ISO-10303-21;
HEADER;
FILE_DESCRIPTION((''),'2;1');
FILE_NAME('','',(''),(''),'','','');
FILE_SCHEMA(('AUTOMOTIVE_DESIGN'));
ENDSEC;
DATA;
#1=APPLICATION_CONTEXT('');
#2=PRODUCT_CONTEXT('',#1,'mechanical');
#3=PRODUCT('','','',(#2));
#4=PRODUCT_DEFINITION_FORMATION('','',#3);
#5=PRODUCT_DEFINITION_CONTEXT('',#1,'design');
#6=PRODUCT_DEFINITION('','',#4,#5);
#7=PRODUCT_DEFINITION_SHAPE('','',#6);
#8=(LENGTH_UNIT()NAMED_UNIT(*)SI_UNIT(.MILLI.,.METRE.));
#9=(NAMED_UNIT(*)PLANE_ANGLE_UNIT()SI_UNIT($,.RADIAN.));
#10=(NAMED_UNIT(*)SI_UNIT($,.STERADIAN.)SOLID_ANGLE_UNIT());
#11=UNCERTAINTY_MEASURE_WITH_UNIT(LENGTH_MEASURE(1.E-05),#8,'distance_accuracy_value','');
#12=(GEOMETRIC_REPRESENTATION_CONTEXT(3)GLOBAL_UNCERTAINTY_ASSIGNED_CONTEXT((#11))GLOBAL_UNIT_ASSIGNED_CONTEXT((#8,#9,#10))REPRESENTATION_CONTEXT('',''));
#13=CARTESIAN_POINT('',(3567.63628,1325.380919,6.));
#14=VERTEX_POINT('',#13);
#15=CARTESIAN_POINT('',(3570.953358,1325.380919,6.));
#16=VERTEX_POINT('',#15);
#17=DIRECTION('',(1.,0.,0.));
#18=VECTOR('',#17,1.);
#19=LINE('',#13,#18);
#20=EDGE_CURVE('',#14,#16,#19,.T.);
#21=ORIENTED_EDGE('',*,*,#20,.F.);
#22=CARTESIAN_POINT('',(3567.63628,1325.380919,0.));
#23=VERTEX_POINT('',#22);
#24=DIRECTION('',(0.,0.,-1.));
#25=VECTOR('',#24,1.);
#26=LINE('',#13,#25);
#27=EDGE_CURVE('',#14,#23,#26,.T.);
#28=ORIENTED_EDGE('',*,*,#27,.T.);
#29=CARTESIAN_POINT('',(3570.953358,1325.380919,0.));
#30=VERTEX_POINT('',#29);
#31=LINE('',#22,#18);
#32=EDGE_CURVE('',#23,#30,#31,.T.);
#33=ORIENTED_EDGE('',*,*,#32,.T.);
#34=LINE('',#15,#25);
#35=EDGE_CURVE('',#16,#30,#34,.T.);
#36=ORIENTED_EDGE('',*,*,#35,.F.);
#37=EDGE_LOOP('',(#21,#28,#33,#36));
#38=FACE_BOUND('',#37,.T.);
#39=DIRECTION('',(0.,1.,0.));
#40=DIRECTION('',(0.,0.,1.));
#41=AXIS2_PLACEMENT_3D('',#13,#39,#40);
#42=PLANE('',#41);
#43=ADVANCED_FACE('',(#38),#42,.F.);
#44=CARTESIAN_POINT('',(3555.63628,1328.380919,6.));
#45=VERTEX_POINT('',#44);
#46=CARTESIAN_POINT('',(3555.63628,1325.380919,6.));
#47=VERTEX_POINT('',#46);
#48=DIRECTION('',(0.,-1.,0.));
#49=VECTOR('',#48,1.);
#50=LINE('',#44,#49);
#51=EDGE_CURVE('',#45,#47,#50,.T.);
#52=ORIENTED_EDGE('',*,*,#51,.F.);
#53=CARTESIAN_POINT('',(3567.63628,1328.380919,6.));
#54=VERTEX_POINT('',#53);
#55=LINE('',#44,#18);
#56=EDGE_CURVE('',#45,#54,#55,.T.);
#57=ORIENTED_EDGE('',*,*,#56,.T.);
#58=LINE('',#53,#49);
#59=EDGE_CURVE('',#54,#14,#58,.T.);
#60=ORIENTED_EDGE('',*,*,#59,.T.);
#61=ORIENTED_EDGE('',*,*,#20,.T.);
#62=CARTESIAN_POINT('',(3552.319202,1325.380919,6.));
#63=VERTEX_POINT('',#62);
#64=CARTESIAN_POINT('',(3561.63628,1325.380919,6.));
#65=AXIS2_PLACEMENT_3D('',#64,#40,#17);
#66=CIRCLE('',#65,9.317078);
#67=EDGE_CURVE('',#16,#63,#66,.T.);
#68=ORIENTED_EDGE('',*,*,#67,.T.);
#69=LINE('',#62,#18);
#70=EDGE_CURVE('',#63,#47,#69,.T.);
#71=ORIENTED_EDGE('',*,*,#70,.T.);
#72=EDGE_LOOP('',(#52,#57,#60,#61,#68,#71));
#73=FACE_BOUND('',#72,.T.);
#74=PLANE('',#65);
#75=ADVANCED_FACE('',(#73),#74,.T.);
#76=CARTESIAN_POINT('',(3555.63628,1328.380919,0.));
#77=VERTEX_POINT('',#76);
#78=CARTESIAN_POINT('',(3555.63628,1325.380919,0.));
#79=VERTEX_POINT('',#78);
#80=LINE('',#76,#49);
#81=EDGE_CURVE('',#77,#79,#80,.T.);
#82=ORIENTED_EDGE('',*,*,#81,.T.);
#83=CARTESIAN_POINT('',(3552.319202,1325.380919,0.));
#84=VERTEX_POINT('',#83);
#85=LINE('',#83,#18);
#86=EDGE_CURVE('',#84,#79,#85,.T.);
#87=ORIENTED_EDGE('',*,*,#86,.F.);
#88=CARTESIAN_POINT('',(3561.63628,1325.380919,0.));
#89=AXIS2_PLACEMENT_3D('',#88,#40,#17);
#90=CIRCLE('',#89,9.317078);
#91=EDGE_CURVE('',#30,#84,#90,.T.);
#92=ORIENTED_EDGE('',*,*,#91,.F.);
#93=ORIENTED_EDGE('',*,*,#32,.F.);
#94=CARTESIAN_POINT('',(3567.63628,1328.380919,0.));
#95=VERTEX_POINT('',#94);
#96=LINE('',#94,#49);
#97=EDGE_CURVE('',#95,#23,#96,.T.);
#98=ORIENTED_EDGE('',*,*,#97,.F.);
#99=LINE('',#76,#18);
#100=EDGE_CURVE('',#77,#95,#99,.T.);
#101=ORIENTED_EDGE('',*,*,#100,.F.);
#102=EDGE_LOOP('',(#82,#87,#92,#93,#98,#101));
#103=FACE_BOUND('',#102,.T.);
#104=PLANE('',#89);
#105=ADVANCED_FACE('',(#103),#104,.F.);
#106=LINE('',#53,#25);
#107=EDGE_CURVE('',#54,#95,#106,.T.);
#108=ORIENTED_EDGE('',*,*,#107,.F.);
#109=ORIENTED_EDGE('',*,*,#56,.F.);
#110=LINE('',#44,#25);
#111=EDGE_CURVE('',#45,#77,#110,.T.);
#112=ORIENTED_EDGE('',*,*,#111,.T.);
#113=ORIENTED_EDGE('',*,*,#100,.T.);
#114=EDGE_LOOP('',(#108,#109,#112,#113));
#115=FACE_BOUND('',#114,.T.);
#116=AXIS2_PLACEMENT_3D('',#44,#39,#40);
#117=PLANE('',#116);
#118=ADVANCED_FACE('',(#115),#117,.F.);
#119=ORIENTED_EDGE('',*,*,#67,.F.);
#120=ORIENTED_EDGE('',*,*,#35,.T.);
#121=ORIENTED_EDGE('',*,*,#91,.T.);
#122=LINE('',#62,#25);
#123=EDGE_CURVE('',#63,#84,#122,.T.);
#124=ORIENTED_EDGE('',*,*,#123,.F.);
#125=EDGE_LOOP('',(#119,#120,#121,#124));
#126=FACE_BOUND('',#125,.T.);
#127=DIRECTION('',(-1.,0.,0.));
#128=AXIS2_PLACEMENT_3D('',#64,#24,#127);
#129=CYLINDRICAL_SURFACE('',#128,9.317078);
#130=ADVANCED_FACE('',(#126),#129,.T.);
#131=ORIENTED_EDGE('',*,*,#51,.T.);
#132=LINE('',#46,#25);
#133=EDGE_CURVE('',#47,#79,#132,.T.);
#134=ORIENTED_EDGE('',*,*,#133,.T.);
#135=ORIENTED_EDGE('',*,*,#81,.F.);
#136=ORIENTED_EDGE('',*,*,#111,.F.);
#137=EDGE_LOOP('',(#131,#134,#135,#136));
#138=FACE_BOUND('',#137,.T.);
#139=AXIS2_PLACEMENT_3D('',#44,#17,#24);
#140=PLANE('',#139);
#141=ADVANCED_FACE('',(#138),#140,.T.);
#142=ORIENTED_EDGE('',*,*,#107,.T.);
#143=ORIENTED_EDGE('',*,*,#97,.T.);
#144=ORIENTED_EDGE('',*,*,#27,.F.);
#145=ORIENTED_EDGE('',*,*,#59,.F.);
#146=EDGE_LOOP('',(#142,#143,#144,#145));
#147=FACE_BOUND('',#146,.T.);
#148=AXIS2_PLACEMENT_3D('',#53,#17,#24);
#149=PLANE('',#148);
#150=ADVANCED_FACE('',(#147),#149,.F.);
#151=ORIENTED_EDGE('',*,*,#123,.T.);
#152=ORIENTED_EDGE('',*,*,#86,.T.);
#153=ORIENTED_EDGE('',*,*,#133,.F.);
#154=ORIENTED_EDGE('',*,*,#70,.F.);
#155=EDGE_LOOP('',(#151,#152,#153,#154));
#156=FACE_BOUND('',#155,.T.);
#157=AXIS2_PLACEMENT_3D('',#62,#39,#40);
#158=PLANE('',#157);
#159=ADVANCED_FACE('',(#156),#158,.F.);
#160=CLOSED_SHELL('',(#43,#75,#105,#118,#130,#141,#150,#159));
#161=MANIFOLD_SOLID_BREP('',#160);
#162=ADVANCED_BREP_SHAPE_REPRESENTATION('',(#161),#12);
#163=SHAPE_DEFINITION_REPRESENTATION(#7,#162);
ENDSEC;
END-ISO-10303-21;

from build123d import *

# Parameters (mm, degrees)
BOSS_EXTRUDE1_DEPTH = 6


with BuildPart() as part:
    # Model → Boss-Extrude1 (new body)
    with BuildSketch(Plane.XY):
        with BuildLine():
            Line((3552.319202488, 1325.380918895), (3555.636280054, 1325.380918895))
            Line((3555.636280054, 1325.380918895), (3555.636280054, 1328.380918895))
            Line((3555.636280054, 1328.380918895), (3567.636280054, 1328.380918895))
            Line((3567.636280054, 1328.380918895), (3567.636280054, 1325.380918895))
            Line((3567.636280054, 1325.380918895), (3570.95335762, 1325.380918895))
            ThreePointArc((3570.95335762, 1325.380918895), (3561.636280054, 1334.697996461), (3552.319202488, 1325.380918895))
        make_face()
    extrude(amount=BOSS_EXTRUDE1_DEPTH)


solid = part.part
